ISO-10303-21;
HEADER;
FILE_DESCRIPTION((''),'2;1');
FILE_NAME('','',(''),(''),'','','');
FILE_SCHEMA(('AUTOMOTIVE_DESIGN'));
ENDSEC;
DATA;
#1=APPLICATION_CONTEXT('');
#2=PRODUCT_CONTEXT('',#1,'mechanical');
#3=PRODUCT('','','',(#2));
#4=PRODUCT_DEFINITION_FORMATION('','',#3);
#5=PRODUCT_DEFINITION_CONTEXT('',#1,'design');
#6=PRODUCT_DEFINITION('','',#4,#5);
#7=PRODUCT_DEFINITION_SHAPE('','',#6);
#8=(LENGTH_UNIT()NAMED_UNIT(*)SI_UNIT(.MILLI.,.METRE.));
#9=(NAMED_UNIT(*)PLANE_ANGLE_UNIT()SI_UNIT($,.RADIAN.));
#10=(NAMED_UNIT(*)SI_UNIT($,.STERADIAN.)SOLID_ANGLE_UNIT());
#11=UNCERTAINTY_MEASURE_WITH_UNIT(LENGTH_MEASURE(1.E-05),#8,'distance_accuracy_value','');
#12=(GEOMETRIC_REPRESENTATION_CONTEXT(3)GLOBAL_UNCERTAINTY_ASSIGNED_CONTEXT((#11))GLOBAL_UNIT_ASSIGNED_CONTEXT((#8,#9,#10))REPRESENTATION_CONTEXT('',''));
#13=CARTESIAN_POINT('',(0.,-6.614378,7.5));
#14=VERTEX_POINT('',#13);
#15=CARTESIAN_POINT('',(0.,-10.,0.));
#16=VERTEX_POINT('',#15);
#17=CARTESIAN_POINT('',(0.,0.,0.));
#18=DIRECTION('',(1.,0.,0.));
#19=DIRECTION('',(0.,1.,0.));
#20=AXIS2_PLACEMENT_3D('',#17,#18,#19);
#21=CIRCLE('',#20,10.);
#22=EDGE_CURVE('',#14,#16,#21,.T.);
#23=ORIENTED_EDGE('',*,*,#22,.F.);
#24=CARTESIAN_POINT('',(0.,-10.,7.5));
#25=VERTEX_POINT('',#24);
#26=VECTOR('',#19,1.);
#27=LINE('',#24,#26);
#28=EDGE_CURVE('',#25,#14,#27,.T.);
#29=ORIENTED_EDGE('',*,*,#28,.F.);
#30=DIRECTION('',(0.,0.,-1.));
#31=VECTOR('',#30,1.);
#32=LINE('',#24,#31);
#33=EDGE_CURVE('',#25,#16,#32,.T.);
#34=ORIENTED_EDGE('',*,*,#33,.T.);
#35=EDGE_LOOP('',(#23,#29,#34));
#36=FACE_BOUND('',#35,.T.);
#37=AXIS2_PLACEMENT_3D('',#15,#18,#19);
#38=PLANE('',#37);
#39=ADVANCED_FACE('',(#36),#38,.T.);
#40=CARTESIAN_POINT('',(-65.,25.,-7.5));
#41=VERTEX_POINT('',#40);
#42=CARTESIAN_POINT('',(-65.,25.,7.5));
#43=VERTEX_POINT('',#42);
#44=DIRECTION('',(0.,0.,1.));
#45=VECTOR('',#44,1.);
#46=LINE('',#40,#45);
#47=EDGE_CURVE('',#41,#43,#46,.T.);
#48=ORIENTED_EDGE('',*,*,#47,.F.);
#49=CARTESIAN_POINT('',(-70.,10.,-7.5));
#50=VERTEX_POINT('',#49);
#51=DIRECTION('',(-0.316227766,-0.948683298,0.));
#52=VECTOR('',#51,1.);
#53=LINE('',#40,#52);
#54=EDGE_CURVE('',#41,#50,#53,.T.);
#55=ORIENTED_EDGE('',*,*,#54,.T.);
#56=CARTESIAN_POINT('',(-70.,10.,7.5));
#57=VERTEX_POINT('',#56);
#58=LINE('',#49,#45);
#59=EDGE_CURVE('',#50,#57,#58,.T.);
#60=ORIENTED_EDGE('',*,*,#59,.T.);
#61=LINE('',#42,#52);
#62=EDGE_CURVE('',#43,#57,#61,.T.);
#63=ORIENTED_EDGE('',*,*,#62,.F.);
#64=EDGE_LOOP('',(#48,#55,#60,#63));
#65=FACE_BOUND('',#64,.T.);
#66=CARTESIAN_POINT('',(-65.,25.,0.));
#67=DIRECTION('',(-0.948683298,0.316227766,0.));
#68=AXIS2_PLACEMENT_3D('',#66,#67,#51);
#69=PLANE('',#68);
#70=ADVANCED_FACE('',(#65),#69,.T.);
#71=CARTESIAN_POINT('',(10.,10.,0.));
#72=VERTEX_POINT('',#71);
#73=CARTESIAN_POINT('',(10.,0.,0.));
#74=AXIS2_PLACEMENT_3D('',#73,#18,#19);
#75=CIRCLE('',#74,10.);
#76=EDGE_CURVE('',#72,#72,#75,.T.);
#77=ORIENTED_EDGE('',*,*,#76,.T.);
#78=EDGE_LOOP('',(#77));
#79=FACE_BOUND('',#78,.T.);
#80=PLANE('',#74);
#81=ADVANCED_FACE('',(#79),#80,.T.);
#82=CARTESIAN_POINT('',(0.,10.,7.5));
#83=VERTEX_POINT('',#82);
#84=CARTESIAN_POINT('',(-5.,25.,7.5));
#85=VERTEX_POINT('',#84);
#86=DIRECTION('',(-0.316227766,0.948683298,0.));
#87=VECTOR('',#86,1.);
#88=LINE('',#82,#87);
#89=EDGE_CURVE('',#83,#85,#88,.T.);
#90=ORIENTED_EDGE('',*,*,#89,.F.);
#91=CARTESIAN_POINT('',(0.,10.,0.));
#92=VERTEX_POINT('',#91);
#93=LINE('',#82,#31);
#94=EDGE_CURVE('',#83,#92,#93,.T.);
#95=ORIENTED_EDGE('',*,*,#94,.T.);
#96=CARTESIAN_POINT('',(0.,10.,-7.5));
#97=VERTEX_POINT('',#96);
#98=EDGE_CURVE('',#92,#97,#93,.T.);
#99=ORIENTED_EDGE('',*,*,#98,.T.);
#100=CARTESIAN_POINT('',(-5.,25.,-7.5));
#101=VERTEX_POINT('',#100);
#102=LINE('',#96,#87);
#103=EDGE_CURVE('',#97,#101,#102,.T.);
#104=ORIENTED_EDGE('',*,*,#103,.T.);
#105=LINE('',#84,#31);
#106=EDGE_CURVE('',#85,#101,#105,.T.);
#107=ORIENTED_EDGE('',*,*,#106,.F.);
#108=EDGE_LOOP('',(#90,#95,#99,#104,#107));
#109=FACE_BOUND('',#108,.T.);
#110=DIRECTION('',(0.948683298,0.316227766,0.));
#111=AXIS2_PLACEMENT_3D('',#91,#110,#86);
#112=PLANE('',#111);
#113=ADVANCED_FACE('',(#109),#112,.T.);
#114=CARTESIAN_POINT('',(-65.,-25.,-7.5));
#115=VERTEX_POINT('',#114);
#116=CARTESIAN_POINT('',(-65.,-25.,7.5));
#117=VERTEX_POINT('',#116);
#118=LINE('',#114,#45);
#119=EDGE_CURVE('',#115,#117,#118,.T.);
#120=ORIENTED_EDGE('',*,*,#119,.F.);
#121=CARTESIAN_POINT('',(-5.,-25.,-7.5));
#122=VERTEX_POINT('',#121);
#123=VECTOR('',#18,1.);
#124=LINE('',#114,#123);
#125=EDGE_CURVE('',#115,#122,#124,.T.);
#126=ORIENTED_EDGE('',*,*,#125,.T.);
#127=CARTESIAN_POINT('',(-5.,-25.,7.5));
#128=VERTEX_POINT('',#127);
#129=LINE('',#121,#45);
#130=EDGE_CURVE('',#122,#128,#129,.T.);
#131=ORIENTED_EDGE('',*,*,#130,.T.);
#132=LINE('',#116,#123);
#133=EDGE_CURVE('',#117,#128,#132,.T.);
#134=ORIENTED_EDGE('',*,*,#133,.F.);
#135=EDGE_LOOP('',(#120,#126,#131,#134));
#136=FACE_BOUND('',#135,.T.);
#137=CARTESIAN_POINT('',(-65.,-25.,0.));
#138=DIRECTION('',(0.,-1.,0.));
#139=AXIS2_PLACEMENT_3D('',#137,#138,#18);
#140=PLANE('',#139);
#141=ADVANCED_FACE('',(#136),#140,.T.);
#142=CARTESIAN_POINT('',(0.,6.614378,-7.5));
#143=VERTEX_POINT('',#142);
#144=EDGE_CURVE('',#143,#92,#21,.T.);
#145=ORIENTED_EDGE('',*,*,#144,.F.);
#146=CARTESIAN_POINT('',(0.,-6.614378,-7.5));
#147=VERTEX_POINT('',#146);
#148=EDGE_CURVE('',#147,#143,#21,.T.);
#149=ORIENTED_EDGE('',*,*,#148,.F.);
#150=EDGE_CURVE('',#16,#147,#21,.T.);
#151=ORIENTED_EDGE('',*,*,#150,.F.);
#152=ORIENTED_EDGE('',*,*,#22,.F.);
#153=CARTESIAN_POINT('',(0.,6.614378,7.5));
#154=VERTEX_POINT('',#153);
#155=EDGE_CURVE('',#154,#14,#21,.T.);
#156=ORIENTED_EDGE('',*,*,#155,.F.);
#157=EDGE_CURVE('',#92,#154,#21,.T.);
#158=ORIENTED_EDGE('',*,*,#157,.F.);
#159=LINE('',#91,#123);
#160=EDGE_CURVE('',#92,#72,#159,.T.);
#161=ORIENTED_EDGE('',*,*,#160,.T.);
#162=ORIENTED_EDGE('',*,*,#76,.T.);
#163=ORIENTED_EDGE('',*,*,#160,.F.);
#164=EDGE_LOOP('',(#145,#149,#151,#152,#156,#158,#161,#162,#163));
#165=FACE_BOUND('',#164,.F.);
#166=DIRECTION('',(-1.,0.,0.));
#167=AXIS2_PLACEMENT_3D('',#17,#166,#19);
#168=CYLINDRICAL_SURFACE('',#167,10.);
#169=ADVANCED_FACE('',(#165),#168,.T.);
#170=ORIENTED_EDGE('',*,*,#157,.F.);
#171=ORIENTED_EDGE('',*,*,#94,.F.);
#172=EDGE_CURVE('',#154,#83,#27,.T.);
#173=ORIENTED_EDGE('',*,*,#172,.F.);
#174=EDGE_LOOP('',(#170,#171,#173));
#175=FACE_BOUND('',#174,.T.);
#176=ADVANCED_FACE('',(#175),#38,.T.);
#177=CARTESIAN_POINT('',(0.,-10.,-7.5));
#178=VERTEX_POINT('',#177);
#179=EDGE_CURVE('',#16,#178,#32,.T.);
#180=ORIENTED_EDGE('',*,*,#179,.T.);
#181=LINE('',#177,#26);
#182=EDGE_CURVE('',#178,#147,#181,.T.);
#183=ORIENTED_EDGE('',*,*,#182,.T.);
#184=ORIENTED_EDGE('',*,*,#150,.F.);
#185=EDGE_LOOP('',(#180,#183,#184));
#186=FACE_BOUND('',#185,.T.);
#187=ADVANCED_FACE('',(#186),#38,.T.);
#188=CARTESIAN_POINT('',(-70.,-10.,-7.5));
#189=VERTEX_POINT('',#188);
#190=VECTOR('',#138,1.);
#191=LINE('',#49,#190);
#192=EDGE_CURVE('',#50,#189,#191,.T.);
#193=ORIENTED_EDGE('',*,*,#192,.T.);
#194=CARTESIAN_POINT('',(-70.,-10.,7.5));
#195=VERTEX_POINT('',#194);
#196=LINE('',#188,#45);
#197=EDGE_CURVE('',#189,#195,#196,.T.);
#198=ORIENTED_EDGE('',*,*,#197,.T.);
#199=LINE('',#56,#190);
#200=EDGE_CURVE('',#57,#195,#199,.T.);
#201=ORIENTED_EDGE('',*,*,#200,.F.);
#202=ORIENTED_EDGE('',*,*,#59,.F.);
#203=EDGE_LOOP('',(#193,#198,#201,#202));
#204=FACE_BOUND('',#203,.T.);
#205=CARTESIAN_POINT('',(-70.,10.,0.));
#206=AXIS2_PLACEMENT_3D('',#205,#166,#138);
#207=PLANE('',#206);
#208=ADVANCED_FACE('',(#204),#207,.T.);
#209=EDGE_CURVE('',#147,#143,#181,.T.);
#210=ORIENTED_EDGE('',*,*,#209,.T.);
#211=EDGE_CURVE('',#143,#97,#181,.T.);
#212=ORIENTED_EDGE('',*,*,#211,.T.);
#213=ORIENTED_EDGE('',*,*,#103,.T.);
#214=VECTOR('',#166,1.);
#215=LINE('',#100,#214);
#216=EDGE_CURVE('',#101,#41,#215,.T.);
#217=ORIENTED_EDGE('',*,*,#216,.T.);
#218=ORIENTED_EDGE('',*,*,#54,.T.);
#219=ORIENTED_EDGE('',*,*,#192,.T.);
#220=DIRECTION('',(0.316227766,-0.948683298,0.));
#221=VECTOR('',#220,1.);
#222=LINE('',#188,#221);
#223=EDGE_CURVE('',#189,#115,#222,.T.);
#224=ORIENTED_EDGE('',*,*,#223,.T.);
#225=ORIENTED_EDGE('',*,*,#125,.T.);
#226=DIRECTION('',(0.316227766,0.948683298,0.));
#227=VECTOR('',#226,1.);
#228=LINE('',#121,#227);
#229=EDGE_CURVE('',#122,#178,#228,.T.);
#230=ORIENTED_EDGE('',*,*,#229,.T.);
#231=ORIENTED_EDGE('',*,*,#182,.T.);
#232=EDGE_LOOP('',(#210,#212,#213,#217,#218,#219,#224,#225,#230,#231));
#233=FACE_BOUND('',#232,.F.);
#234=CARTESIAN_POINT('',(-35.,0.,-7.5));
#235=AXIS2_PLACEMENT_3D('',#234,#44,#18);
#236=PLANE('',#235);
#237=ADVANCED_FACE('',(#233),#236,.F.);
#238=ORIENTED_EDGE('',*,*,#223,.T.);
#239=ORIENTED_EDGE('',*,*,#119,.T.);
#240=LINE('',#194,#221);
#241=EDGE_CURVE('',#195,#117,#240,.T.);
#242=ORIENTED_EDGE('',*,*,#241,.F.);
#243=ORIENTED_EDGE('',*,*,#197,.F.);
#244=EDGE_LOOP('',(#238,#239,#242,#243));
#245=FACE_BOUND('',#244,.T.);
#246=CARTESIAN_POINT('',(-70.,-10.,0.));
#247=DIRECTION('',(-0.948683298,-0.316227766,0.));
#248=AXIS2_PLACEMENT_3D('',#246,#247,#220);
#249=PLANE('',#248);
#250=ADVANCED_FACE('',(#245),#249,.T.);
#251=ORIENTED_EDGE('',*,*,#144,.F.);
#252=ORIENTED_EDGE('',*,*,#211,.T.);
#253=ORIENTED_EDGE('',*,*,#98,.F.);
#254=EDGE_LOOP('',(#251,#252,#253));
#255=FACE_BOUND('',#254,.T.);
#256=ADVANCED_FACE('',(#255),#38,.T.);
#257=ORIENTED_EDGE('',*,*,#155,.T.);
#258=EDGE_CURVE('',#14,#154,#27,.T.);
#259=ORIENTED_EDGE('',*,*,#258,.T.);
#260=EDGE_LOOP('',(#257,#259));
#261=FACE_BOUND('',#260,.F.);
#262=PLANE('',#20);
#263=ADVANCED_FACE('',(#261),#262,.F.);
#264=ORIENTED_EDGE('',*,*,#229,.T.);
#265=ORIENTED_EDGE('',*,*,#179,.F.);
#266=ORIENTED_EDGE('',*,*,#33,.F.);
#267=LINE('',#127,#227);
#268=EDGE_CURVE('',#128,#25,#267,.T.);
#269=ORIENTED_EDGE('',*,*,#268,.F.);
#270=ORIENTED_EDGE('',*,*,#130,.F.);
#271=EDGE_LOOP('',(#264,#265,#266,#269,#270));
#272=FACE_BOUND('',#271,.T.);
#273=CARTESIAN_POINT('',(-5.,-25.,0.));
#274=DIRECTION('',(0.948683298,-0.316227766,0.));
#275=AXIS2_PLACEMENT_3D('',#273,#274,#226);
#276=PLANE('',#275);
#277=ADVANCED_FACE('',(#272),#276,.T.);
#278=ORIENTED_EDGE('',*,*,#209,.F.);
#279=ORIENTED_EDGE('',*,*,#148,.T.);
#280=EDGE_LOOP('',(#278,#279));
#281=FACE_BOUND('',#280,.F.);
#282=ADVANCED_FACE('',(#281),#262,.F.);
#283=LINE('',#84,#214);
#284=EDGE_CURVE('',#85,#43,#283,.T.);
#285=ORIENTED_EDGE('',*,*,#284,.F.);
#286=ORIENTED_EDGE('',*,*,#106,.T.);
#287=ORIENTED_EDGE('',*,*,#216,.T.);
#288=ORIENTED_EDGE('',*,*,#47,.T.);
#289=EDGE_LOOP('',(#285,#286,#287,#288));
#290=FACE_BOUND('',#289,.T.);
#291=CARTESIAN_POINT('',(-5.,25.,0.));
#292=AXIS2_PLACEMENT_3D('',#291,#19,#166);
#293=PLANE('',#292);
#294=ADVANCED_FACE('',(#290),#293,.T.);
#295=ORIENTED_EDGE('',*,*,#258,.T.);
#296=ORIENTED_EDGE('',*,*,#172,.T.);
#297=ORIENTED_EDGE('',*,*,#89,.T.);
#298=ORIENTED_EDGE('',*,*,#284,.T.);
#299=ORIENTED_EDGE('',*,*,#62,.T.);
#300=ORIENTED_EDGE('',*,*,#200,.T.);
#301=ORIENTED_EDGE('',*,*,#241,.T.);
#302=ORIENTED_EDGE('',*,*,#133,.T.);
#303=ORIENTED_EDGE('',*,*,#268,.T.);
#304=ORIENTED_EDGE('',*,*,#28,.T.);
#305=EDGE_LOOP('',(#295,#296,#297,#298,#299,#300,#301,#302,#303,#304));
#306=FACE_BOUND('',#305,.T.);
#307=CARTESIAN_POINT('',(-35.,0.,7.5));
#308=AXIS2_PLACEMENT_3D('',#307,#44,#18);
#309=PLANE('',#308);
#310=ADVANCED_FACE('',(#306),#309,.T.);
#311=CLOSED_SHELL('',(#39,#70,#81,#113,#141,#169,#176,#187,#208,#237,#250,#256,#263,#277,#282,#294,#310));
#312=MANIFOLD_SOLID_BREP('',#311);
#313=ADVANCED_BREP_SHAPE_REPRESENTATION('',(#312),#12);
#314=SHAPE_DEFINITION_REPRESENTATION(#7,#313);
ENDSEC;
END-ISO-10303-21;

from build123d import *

# Parameters (mm, degrees)
F0_R     = 10
F1_DEPTH = 10
F3_DEPTH = 7.5


with BuildPart() as f1:
    # F0 (on Right) → F1 (new body)
    with BuildSketch(Plane.YZ):
        Circle(F0_R)
    extrude(amount=F1_DEPTH)

    # F2 (on Top) → F3 (join, symmetric)
    with BuildSketch(Plane.XY):
        Polygon((-5, 25), (-65, 25), (-70, 10), (-70, -10), (-65, -25), (-5, -25), (0, -10), (0, 10), align=None)
    extrude(amount=F3_DEPTH, both=True)


solid = f1.part
